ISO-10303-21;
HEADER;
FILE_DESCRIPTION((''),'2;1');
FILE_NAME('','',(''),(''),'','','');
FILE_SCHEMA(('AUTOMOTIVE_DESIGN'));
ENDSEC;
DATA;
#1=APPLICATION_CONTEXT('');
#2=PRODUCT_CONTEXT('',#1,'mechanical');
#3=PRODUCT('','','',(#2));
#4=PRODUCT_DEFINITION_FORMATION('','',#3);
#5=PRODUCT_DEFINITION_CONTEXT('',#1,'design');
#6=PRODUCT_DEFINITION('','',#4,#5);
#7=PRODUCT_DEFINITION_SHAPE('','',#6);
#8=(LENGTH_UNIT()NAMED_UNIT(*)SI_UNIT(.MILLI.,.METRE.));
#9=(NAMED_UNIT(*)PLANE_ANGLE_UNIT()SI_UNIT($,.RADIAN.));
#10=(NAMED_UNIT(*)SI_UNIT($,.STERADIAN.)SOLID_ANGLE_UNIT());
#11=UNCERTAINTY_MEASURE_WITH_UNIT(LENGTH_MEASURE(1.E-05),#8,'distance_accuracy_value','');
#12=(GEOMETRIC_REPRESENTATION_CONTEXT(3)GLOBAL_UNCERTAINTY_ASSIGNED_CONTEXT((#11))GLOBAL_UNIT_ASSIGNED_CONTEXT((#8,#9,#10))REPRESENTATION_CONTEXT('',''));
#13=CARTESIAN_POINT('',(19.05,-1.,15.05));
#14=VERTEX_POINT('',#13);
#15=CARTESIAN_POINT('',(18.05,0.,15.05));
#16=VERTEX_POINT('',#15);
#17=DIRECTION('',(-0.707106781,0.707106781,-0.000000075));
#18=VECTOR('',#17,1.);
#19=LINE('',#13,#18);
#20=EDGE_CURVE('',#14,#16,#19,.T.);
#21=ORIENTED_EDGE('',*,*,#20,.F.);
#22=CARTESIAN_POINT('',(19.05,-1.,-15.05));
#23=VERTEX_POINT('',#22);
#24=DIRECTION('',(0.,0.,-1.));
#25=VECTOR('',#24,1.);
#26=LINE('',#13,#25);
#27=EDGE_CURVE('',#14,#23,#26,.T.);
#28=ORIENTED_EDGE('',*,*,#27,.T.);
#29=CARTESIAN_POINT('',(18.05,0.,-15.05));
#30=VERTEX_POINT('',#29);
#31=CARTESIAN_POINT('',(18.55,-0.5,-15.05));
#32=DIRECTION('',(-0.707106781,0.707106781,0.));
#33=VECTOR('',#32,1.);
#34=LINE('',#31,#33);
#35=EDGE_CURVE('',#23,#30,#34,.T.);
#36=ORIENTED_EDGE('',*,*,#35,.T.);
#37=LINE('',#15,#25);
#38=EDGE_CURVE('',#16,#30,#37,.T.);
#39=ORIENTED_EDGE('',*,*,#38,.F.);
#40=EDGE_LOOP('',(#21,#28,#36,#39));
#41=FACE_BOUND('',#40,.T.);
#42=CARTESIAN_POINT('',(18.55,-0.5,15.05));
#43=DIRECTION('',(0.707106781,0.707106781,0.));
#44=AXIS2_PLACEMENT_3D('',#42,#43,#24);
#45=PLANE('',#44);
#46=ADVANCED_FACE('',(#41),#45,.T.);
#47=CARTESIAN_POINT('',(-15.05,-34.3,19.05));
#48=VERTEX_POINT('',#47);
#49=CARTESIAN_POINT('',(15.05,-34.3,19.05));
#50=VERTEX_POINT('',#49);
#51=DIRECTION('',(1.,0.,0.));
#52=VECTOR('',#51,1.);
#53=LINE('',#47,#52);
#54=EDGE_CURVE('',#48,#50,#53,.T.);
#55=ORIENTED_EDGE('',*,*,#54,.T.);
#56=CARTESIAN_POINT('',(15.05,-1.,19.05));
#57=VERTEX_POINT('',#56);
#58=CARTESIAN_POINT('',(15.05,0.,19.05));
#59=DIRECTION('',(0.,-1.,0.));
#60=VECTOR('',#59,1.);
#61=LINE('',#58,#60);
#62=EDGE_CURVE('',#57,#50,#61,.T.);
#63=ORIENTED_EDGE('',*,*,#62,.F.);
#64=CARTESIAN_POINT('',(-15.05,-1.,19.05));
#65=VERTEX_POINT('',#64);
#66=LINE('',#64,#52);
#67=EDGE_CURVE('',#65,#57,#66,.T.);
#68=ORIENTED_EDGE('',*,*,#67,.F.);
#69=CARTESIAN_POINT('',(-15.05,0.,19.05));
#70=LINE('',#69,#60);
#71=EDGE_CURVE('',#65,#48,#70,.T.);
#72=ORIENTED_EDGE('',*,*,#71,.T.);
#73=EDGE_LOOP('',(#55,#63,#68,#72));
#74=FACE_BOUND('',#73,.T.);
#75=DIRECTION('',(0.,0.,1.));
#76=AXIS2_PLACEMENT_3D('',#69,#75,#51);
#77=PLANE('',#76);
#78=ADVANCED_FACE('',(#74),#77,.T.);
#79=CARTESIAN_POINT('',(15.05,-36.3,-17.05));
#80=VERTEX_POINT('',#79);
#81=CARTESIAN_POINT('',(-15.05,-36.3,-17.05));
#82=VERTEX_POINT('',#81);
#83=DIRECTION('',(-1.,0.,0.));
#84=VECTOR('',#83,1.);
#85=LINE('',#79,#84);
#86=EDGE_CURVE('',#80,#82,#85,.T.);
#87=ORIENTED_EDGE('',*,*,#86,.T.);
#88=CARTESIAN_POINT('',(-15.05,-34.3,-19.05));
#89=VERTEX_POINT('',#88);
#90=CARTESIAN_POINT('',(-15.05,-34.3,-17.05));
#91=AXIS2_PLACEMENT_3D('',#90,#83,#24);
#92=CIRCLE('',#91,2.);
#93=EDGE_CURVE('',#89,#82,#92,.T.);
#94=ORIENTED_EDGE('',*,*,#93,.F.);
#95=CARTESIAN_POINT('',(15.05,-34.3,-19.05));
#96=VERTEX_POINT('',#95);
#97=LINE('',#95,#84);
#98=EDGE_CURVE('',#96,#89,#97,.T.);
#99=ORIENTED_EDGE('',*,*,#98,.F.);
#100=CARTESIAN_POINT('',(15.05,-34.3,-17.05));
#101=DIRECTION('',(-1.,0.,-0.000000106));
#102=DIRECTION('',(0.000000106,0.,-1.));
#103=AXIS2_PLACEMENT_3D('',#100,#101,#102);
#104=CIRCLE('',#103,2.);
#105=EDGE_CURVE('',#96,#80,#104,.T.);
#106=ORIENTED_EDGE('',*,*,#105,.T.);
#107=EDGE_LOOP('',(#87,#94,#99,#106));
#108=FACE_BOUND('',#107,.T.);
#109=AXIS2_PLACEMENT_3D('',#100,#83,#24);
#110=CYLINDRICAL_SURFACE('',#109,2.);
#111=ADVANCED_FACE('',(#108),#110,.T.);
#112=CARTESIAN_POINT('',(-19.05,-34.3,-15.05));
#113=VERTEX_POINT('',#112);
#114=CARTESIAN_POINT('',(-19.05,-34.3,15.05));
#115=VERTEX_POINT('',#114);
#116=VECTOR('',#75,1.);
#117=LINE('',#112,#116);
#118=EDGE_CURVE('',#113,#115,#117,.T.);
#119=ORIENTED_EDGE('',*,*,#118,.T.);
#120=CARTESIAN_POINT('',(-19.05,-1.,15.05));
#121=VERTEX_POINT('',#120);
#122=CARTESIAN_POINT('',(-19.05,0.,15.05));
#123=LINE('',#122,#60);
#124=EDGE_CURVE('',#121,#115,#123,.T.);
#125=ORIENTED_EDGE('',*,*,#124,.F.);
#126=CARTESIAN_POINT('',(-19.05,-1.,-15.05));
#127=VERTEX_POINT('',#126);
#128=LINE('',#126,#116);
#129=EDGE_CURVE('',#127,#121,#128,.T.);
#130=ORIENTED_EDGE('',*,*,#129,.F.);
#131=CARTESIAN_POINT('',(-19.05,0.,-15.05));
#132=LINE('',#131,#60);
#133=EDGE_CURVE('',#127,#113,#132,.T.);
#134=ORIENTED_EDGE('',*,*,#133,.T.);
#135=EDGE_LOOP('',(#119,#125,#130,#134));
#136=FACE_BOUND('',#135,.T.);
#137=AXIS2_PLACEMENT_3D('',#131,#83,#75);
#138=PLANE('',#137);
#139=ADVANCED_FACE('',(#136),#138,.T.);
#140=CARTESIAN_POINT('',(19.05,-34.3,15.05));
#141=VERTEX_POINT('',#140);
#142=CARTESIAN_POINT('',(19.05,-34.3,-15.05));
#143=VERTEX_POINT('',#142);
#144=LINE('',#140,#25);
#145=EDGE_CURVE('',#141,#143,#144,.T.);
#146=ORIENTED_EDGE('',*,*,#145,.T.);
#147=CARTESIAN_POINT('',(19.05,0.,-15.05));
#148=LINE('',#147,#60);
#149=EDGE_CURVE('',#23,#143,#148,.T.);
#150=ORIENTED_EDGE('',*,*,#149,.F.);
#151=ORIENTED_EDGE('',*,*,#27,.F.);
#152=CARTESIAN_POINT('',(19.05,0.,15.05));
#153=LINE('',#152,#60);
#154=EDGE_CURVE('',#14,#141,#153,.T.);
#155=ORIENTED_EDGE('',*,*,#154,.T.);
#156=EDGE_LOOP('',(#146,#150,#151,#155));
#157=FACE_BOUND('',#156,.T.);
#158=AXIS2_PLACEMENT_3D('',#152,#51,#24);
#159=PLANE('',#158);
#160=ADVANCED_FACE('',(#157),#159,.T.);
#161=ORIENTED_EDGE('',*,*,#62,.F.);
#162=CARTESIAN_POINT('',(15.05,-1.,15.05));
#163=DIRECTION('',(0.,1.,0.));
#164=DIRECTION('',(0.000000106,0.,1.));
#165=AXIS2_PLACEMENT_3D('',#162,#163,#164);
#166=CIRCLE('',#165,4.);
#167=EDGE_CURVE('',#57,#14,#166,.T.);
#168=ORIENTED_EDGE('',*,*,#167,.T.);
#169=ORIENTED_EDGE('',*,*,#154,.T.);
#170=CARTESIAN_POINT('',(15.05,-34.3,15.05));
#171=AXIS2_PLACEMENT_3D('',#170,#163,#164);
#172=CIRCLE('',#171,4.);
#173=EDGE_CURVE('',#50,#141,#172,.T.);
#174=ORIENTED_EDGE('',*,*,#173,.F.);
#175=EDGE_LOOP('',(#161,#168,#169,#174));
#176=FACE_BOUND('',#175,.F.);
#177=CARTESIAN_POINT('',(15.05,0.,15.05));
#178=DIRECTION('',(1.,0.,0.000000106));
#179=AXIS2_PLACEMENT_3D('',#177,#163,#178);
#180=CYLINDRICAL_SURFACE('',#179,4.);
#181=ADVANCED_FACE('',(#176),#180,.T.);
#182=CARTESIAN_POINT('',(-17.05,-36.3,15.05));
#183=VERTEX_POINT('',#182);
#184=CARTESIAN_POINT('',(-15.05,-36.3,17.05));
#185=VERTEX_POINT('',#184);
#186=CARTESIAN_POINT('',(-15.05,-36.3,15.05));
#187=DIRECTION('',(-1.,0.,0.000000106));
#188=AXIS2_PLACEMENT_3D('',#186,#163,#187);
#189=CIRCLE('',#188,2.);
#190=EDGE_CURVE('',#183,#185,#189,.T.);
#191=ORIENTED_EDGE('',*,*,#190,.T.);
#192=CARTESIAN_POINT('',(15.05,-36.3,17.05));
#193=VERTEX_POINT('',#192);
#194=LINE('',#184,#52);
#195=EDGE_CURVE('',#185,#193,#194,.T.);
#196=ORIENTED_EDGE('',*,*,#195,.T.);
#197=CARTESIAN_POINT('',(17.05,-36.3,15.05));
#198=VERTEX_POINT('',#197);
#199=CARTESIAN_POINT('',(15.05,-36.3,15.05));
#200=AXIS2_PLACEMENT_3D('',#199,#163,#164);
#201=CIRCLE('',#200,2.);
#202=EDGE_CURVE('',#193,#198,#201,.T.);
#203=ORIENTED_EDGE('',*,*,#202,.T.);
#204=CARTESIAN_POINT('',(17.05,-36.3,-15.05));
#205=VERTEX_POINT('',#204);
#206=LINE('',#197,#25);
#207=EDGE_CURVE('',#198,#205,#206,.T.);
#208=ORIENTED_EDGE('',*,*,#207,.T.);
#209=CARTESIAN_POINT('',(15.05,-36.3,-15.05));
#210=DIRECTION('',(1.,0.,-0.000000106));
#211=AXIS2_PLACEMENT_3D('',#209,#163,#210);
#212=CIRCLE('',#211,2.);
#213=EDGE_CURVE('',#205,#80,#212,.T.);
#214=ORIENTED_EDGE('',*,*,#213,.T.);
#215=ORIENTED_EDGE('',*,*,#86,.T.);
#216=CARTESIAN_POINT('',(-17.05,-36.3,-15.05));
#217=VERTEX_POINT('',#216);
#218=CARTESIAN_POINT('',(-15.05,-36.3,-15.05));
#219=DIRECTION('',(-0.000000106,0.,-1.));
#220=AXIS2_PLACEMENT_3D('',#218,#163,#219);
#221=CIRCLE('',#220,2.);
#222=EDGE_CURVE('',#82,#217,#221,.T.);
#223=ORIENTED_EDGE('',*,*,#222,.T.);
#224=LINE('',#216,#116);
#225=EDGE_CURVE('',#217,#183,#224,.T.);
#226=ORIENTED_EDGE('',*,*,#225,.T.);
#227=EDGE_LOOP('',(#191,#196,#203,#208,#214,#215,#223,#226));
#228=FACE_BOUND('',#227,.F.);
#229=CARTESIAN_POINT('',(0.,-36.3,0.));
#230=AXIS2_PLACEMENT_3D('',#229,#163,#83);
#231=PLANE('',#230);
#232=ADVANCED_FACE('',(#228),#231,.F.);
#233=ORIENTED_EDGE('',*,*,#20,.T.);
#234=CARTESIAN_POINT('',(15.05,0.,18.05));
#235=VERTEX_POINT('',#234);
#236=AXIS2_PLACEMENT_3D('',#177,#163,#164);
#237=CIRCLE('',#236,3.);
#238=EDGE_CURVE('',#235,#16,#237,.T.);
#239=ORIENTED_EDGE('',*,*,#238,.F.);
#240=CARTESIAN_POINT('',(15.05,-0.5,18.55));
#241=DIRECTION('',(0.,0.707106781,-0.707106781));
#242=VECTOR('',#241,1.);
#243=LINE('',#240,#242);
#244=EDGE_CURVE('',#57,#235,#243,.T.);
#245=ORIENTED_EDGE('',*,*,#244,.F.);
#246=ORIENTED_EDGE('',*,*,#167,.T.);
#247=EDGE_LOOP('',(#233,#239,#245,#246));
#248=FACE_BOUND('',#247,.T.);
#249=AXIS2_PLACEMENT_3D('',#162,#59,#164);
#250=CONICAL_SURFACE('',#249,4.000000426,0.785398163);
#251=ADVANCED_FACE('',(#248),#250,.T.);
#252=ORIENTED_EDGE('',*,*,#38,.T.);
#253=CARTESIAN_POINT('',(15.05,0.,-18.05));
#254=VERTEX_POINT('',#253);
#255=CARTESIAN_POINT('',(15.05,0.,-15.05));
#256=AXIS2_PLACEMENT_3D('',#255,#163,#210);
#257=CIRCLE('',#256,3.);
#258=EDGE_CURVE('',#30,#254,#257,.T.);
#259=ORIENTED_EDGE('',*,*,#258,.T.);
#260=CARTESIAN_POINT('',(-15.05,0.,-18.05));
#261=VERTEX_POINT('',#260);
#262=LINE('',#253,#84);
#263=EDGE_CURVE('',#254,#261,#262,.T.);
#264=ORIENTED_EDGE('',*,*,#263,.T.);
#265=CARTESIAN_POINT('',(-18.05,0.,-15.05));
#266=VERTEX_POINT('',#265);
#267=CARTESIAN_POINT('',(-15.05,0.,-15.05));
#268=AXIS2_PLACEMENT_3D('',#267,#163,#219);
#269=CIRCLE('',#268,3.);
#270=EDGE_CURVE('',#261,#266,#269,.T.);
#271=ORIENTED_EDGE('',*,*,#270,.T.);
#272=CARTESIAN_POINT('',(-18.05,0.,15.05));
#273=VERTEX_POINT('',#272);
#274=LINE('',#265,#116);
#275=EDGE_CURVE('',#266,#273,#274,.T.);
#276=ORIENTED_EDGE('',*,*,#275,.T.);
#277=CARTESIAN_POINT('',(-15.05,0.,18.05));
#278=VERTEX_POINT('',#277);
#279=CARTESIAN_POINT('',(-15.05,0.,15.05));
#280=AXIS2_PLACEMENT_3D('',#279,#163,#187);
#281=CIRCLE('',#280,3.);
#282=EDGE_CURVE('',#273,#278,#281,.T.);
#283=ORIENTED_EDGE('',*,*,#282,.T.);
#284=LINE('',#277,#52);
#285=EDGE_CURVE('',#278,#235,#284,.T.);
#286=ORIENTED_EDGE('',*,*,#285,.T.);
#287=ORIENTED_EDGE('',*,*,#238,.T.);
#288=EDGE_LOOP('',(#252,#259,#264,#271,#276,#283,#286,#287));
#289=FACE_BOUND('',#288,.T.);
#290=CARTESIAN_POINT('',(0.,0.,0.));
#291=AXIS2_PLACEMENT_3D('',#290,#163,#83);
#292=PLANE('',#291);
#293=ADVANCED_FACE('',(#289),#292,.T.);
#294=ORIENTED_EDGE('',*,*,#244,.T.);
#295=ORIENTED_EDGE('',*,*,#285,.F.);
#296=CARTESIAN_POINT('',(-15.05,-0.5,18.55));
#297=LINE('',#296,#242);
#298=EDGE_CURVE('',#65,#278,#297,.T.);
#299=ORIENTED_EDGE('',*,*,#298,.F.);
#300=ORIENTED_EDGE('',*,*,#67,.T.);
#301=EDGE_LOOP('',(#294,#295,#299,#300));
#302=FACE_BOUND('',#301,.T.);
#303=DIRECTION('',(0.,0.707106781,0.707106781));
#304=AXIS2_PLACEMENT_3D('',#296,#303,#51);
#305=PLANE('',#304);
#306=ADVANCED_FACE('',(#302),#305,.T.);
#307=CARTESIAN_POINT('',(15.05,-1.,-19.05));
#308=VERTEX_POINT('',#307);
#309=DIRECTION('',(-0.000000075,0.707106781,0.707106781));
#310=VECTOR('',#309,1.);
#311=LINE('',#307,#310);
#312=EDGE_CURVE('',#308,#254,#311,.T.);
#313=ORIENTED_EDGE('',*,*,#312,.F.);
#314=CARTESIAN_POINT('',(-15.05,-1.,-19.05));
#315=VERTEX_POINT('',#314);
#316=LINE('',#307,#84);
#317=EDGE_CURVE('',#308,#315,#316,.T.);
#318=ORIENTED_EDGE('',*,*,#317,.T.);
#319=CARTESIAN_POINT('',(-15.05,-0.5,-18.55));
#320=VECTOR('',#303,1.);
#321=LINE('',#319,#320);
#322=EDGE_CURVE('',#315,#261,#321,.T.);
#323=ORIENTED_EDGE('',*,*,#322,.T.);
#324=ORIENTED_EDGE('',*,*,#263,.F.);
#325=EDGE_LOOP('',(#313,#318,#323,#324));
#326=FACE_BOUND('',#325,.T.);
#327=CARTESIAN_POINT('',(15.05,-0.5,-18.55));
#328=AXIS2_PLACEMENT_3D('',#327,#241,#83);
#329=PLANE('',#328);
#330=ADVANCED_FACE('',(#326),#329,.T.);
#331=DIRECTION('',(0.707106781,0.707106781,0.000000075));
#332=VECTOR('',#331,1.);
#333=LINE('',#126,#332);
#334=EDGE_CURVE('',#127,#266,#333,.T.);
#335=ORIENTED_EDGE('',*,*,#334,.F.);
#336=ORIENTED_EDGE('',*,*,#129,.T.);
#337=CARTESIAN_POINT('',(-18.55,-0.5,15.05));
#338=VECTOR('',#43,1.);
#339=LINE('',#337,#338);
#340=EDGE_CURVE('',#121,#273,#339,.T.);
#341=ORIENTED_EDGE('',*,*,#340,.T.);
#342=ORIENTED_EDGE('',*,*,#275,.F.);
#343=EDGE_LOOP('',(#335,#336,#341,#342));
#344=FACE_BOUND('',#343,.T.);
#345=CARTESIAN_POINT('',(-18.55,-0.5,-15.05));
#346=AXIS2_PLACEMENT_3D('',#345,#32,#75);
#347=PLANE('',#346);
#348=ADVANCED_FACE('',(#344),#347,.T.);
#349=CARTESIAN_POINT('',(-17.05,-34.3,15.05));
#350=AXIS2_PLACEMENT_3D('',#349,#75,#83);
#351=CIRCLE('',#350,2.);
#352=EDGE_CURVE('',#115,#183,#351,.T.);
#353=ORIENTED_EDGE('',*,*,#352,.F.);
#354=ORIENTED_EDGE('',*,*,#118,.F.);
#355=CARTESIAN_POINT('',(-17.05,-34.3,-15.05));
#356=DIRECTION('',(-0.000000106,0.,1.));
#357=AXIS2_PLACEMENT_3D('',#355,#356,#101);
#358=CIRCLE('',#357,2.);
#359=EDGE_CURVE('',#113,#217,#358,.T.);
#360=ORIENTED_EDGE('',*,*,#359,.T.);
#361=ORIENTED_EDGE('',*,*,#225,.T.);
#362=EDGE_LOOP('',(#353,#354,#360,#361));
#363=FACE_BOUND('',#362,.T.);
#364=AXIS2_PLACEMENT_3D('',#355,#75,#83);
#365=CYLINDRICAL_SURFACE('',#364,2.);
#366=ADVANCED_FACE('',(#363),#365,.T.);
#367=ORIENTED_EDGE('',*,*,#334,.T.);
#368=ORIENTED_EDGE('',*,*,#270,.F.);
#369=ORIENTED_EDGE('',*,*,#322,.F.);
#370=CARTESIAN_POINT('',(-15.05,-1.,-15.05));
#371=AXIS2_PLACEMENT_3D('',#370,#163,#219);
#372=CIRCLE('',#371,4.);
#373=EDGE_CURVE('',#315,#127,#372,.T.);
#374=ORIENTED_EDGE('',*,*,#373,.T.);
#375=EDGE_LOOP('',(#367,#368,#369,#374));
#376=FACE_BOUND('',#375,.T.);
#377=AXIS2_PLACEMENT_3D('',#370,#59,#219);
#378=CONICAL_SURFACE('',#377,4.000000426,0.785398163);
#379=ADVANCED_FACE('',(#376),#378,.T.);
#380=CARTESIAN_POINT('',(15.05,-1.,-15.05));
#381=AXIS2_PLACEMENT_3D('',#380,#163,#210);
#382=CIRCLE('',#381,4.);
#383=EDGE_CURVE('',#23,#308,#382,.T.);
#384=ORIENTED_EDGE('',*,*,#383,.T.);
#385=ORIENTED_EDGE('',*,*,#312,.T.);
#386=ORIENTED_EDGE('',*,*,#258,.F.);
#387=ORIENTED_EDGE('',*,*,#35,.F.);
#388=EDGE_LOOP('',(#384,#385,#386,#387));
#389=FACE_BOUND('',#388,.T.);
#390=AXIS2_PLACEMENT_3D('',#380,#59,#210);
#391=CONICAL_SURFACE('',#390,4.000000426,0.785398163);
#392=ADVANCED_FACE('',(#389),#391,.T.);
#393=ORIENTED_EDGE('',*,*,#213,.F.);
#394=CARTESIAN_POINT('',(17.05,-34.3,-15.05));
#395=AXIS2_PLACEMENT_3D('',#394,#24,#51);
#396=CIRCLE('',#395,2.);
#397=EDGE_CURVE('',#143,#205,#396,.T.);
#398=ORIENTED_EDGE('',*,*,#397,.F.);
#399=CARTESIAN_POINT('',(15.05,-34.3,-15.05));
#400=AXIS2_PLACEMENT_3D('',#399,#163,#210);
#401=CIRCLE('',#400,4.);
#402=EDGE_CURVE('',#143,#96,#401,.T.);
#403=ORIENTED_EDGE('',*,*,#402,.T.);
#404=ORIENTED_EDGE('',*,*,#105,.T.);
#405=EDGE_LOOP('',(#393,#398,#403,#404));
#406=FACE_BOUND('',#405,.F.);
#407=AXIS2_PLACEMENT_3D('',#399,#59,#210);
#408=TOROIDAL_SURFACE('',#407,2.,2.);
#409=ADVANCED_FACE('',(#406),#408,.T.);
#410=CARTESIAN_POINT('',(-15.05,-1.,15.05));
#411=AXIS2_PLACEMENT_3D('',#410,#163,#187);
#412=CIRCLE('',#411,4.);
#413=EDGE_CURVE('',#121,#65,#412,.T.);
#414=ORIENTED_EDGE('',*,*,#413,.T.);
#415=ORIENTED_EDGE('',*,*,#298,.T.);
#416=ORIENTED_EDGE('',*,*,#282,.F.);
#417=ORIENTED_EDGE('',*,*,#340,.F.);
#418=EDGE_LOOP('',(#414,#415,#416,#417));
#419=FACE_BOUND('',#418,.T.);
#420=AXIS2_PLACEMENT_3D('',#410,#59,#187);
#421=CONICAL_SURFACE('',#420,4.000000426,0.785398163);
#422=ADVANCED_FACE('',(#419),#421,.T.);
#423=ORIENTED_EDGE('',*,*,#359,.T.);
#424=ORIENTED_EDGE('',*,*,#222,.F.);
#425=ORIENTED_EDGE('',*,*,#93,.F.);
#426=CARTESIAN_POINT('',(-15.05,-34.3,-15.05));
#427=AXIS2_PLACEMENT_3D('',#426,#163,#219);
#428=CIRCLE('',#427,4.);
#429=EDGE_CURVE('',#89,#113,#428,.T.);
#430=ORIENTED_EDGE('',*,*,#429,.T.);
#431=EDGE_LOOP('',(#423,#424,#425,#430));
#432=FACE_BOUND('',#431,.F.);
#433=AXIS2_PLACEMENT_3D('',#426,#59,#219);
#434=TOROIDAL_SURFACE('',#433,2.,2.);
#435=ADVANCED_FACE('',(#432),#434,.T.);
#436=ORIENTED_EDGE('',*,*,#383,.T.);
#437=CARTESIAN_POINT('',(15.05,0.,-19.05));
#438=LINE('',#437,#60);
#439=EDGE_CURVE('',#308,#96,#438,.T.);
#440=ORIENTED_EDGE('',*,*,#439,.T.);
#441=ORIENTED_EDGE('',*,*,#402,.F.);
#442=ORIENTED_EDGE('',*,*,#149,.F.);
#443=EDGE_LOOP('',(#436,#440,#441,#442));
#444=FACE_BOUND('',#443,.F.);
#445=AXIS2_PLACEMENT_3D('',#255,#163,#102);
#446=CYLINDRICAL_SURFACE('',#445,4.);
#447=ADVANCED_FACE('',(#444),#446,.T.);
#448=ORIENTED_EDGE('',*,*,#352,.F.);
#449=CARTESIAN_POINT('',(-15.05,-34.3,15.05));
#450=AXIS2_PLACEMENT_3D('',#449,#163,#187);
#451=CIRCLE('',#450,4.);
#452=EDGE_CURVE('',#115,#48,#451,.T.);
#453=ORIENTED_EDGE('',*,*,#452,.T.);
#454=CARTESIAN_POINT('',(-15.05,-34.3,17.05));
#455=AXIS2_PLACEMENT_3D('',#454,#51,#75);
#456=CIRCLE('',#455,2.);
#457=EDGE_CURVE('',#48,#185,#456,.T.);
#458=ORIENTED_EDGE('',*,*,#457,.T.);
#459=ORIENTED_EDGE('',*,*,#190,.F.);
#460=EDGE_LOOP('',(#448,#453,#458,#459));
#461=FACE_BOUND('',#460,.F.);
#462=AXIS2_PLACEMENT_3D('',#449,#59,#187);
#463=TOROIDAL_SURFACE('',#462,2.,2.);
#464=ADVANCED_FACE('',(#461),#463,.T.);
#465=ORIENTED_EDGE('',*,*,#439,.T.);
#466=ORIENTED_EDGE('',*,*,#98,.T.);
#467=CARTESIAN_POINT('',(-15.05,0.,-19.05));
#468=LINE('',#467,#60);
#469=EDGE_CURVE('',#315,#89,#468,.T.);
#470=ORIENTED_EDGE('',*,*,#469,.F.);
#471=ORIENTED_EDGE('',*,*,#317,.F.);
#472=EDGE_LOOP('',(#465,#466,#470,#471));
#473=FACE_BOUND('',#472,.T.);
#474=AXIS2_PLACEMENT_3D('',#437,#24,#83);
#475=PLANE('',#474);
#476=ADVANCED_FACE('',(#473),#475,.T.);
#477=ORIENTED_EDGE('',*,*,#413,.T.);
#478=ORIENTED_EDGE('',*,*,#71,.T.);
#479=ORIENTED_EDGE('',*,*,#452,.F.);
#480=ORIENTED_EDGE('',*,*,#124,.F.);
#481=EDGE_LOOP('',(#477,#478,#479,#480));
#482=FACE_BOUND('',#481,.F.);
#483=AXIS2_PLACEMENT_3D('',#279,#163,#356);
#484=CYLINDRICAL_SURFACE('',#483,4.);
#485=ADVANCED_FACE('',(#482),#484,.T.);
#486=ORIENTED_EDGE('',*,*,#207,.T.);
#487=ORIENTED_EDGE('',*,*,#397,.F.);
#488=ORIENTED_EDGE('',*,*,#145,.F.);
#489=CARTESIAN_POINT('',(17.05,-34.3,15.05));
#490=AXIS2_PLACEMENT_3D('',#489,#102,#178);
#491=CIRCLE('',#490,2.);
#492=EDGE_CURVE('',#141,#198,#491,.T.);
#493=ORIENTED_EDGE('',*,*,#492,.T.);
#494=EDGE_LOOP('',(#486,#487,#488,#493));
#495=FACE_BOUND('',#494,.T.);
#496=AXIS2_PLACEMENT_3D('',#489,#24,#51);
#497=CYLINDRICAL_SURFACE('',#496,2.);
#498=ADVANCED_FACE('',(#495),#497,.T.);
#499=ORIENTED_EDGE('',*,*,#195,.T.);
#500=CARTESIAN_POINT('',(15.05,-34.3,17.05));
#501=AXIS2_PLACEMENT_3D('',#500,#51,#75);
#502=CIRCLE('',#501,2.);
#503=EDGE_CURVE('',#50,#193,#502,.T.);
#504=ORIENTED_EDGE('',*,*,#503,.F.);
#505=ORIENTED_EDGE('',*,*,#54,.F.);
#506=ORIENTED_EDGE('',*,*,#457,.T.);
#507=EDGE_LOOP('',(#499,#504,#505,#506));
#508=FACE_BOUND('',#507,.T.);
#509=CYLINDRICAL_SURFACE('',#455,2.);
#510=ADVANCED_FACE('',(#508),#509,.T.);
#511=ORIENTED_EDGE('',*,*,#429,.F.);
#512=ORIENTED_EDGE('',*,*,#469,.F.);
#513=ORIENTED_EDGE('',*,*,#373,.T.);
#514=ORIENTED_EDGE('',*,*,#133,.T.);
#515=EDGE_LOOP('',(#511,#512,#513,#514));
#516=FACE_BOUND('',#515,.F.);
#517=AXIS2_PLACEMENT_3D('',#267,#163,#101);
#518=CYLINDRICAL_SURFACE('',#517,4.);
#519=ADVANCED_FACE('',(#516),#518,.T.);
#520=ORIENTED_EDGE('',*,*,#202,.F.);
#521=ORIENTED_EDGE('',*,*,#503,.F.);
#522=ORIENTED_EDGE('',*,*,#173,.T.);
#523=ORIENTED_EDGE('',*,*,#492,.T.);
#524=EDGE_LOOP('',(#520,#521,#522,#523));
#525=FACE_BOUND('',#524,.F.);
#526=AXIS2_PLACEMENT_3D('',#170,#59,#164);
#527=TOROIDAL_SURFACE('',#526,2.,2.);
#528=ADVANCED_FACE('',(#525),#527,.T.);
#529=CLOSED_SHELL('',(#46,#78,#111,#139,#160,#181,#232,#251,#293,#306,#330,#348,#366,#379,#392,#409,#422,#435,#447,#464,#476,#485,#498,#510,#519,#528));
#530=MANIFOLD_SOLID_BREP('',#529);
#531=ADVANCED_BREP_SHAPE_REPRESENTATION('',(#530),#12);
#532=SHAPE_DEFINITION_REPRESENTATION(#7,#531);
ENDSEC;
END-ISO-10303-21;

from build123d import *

# Parameters (mm, degrees)
PAD_DEPTH    = 36.3
CHAMFER_SIZE = 1
FILLET_R     = 2


with BuildPart() as part:
    # Sketch → Pad (new body)
    with BuildSketch(Plane.XZ):
        with BuildLine():
            Line((-15.05, 19.05), (15.05, 19.05))
            ThreePointArc((19.05, 15.05), (17.878427, 17.878427), (15.05, 19.05))
            Line((19.05, 15.05), (19.05, -15.05))
            ThreePointArc((15.05, -19.05), (17.878427, -17.878427), (19.05, -15.05))
            Line((15.05, -19.05), (-15.05, -19.05))
            ThreePointArc((-19.05, -15.05), (-17.878427, -17.878427), (-15.05, -19.05))
            Line((-19.05, -15.05), (-19.05, 15.05))
            ThreePointArc((-15.05, 19.05), (-17.878427, 17.878427), (-19.05, 15.05))
        make_face()
    extrude(amount=PAD_DEPTH)

    # Chamfer
    chamfer_edges = [part.edges().sort_by_distance(p)[0] for p in [
        (0, 0, 19.05),
        (17.878427, 0, 17.878427),
        (19.05, 0, 0),
        (17.878427, 0, -17.878427),
        (0, 0, -19.05),
        (-17.878427, 0, -17.878427),
        (-19.05, 0, 0),
        (-17.878427, 0, 17.878427),
    ]]
    chamfer(chamfer_edges, length=CHAMFER_SIZE)

    # Fillet
    fillet_edges = [part.edges().sort_by_distance(p)[0] for p in [
        (0, -36.3, 19.05),
        (17.878427, -36.3, 17.878427),
        (19.05, -36.3, 0),
        (17.878427, -36.3, -17.878427),
        (0, -36.3, -19.05),
        (-17.878427, -36.3, -17.878427),
        (-19.05, -36.3, 0),
        (-17.878427, -36.3, 17.878427),
    ]]
    fillet(fillet_edges, radius=FILLET_R)


solid = part.part
